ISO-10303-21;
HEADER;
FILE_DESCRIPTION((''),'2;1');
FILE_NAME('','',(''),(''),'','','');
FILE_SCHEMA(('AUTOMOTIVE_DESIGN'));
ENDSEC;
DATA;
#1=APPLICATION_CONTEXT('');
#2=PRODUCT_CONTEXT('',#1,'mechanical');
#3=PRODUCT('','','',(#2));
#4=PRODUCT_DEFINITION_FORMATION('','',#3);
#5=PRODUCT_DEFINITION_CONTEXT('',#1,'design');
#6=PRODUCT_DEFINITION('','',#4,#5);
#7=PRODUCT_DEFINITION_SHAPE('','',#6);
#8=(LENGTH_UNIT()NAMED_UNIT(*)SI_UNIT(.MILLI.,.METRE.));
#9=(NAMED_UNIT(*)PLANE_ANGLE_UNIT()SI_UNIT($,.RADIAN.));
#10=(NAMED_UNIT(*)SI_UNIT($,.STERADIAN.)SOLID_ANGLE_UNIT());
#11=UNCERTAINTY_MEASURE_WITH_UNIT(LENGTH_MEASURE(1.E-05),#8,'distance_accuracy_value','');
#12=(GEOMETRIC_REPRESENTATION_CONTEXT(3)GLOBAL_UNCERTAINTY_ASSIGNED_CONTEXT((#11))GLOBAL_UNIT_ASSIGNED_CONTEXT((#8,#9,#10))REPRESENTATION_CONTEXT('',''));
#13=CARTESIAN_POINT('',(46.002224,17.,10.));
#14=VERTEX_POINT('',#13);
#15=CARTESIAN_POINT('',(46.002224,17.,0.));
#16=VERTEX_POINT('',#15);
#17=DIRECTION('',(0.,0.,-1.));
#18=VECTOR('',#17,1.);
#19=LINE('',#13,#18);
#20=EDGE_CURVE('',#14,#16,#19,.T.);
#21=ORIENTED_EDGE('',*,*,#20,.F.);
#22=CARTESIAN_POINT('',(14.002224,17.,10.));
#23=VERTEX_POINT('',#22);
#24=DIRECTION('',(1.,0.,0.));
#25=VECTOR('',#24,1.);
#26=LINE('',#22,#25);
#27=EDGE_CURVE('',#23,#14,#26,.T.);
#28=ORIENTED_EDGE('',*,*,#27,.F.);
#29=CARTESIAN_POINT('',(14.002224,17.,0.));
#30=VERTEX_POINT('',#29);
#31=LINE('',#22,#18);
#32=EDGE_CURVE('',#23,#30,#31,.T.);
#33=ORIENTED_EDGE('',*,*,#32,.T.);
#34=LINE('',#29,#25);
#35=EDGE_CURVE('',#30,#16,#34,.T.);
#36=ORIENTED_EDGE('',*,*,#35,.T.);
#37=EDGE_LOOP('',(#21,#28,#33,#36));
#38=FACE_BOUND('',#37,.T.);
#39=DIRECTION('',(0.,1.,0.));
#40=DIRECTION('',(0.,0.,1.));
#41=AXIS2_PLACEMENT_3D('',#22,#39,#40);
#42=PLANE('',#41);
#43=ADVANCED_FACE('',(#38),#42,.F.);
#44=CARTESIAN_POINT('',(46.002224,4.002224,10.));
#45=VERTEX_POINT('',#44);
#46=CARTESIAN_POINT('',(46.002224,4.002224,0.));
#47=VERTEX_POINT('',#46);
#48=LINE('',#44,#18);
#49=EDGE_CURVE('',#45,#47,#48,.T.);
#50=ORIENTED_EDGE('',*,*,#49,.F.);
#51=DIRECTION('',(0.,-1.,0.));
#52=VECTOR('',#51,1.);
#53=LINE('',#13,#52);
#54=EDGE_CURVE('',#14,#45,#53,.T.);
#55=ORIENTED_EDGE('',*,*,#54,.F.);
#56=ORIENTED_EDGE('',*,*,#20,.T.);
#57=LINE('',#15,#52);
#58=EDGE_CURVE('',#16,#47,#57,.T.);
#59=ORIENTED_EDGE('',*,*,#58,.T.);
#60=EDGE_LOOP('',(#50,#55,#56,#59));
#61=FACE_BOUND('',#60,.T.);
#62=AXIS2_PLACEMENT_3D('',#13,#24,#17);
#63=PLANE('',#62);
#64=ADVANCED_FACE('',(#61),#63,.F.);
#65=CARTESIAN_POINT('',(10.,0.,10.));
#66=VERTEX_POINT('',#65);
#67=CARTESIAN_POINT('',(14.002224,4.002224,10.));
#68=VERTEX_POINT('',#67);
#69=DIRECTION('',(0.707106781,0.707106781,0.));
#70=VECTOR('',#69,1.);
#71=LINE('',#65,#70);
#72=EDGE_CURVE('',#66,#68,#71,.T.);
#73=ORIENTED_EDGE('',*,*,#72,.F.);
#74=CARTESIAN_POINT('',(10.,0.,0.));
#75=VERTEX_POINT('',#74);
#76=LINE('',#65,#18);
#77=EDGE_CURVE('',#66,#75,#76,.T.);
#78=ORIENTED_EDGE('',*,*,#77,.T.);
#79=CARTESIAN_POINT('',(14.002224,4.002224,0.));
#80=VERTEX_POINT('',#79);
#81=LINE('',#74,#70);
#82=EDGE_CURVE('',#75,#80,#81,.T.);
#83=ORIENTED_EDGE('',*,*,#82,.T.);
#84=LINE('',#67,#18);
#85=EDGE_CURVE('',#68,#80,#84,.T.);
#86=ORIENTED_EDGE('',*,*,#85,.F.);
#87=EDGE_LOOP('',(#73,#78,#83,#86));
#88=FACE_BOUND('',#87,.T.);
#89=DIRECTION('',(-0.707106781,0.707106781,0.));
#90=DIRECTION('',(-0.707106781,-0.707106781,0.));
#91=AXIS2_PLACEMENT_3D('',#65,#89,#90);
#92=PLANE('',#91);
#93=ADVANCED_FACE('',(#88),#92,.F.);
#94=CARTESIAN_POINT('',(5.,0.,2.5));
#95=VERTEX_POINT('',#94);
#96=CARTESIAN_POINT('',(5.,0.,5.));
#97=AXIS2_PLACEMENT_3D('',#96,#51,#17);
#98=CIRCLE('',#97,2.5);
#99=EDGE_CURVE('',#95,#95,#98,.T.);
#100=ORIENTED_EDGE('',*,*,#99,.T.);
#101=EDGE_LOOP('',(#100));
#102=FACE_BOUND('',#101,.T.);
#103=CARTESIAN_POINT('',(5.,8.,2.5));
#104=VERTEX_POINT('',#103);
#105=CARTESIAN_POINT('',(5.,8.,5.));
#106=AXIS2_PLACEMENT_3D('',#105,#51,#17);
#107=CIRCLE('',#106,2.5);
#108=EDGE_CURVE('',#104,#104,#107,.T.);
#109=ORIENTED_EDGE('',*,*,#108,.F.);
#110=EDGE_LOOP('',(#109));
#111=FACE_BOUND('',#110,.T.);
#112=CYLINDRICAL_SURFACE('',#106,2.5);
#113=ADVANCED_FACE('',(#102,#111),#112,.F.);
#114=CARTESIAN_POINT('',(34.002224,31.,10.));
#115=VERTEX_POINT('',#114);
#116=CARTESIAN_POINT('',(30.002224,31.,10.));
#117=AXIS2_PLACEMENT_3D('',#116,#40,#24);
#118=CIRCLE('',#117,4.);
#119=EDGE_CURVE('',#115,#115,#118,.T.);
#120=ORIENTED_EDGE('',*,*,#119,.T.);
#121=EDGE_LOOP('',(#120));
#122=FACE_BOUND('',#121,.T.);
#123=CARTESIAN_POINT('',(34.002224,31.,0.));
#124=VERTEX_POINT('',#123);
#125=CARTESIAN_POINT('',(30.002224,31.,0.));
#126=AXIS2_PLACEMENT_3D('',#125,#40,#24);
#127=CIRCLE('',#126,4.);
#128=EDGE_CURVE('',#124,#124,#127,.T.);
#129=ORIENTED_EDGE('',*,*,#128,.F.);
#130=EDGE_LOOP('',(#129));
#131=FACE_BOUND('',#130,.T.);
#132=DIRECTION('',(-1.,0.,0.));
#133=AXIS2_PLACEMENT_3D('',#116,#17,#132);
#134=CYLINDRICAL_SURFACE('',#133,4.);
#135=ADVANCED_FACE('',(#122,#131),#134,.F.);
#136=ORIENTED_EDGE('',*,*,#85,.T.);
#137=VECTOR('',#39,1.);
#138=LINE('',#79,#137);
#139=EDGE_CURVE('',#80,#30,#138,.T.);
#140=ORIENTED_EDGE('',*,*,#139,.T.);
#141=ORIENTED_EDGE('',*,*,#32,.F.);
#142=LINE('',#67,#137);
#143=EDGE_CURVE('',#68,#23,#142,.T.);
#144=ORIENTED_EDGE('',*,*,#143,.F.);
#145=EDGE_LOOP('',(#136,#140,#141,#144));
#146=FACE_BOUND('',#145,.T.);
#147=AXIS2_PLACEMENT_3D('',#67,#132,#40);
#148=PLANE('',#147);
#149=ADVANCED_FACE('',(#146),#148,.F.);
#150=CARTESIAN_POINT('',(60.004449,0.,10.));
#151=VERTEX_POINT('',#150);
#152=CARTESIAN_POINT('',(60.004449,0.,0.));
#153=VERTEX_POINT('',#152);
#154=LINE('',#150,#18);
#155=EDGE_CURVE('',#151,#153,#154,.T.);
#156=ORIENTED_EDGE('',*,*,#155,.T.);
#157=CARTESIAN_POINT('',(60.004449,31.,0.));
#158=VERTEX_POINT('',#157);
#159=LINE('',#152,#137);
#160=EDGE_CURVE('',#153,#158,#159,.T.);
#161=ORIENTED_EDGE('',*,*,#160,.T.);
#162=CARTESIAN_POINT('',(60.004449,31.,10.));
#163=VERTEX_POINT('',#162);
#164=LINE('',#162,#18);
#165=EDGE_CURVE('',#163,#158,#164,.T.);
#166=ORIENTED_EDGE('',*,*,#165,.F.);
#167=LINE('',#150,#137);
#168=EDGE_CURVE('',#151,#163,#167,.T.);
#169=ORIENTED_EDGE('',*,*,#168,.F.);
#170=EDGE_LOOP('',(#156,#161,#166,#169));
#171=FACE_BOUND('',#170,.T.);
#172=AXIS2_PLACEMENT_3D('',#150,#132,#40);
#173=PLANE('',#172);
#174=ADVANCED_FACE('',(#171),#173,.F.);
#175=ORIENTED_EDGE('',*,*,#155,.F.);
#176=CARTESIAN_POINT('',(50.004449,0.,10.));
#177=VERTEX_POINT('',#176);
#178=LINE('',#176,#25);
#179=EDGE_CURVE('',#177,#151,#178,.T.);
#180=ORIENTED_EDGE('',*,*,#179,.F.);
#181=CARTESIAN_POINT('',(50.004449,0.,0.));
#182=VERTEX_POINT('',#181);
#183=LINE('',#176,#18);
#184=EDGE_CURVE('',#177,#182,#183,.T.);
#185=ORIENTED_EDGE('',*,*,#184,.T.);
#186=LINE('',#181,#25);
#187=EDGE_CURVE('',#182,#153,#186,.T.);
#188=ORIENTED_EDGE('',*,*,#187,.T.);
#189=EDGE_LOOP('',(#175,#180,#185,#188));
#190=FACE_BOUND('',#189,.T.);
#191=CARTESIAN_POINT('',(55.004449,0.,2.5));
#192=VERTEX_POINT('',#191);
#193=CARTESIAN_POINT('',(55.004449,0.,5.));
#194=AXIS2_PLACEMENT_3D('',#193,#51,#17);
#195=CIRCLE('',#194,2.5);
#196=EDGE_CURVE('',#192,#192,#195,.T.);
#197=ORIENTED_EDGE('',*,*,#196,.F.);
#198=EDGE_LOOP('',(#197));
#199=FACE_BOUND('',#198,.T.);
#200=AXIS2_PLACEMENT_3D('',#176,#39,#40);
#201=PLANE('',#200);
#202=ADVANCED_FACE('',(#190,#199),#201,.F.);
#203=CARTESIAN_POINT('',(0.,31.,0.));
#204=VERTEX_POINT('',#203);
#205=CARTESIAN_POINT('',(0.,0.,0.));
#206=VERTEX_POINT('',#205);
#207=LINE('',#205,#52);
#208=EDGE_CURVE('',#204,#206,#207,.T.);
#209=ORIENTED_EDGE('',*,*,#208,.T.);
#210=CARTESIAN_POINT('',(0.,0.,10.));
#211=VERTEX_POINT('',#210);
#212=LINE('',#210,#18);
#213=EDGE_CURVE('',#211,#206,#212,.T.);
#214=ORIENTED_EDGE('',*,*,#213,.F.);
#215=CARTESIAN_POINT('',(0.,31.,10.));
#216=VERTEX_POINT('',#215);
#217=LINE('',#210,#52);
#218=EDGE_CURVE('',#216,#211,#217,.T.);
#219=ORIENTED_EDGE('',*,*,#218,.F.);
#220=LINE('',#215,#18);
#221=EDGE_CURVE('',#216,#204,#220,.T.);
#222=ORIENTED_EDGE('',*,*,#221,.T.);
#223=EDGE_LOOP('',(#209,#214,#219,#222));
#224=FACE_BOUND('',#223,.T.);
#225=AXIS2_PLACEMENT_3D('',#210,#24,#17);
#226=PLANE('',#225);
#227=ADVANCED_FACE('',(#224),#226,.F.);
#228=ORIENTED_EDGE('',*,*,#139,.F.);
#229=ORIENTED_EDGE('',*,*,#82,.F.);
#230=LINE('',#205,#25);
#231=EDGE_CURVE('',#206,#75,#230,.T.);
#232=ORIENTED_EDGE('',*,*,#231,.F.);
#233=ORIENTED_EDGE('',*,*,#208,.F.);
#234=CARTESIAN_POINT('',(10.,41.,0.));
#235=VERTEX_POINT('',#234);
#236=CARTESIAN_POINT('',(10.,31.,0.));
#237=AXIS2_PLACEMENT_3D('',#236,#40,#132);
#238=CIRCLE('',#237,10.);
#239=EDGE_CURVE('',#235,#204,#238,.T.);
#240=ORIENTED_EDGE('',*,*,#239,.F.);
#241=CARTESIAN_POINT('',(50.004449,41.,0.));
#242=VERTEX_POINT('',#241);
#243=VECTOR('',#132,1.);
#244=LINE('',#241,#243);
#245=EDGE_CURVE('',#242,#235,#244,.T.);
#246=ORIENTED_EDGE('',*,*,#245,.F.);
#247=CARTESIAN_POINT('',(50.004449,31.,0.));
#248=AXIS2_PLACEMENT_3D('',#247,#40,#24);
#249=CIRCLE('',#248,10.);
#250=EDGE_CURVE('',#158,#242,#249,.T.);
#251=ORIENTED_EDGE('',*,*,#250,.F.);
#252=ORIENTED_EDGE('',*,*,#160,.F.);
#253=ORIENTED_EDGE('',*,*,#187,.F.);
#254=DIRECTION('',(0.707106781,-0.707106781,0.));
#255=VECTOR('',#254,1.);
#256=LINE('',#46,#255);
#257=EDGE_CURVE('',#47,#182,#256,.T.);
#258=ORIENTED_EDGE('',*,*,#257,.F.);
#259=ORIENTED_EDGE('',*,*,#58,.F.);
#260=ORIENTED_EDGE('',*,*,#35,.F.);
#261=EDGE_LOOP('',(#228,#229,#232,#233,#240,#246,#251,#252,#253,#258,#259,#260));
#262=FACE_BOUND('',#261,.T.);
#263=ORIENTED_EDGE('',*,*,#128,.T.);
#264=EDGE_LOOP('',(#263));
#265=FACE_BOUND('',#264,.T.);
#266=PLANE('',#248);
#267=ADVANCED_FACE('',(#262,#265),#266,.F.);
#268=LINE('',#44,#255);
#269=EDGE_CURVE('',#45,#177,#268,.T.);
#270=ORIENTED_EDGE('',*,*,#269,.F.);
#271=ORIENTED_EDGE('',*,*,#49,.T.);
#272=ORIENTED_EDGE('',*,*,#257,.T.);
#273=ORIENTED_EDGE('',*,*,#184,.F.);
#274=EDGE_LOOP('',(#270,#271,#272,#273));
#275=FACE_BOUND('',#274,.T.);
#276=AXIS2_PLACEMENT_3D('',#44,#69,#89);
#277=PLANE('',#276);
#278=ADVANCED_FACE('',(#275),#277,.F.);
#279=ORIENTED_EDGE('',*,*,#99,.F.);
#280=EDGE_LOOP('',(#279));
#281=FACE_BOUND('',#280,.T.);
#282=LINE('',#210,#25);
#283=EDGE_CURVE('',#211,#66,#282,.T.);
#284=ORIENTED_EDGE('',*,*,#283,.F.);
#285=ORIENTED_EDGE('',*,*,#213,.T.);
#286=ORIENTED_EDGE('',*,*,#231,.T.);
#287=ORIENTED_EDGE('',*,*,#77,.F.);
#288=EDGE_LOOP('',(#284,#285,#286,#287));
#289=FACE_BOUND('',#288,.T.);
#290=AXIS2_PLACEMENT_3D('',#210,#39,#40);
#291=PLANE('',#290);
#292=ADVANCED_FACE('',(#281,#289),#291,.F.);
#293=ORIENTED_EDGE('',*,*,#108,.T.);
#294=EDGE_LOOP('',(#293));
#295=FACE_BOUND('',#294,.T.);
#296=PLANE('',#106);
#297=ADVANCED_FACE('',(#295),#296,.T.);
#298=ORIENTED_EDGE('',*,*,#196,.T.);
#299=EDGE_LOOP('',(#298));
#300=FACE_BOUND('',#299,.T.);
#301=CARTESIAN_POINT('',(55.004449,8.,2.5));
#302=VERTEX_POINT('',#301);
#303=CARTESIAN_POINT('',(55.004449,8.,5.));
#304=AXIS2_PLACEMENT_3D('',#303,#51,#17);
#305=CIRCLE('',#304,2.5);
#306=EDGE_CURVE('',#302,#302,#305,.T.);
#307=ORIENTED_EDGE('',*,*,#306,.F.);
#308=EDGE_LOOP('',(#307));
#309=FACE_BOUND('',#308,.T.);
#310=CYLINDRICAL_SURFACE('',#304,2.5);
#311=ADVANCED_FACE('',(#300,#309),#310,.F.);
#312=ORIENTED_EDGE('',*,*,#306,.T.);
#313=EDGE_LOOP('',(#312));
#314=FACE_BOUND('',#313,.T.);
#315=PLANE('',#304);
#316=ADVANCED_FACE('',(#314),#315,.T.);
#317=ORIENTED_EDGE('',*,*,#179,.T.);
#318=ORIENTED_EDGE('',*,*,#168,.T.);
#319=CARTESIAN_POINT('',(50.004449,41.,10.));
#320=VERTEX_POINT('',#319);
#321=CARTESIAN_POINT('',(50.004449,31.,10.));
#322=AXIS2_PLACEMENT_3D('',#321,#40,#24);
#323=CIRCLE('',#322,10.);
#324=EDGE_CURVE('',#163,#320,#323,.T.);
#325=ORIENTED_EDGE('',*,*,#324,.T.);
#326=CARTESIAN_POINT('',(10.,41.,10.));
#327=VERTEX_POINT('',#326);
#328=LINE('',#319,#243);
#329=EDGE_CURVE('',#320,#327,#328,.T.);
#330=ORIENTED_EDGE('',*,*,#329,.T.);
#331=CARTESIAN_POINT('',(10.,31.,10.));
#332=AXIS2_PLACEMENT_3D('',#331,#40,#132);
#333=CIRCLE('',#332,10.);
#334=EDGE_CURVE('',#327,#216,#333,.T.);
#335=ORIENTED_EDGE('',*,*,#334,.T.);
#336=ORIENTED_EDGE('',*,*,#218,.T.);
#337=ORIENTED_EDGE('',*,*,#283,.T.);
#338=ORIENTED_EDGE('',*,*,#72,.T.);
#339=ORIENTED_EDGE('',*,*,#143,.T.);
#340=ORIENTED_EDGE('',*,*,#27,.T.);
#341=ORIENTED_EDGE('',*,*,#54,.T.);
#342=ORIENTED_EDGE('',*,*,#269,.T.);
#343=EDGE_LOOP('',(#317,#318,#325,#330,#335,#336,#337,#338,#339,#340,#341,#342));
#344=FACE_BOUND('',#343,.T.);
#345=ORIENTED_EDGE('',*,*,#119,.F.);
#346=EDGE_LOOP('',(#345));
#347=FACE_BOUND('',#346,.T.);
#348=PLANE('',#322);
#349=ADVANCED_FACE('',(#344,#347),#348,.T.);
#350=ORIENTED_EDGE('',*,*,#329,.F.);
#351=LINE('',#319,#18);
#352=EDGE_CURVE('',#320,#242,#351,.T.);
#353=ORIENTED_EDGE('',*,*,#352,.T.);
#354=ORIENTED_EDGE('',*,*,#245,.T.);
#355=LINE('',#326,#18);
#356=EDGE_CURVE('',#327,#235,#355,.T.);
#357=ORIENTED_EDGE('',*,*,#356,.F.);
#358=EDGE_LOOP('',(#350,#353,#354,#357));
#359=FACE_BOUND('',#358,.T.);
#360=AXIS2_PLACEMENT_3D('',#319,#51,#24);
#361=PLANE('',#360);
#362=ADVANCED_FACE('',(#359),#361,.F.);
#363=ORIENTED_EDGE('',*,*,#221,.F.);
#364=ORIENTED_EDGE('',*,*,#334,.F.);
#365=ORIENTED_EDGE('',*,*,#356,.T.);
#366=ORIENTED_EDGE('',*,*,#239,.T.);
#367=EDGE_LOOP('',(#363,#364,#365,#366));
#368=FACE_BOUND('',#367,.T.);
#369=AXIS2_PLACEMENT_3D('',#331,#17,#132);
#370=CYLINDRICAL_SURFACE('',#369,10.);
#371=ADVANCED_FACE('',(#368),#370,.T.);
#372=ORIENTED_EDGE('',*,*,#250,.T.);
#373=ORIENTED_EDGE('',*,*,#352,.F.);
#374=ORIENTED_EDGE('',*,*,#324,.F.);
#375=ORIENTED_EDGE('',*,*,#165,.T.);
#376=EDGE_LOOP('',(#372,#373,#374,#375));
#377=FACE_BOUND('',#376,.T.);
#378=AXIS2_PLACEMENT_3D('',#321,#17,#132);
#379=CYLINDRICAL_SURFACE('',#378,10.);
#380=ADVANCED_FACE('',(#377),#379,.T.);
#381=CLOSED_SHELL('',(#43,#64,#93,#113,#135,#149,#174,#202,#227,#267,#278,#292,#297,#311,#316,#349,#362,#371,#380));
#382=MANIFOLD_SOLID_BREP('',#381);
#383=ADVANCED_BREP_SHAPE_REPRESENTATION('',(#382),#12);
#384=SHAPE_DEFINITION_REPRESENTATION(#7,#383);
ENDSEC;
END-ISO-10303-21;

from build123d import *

# Parameters (mm, degrees)
SKETCH1_R           = 4
BOSS_EXTRUDE1_DEPTH = 10
SKETCH2_R           = 2.5
CUT_EXTRUDE1_DEPTH  = 8
SKETCH3_R           = 2.5
CUT_EXTRUDE2_DEPTH  = 8


with BuildPart() as part:
    # Sketch1 → Boss-Extrude1 (new body)
    with BuildSketch(Plane.XY):
        with BuildLine():
            Line((0, 0), (0, 31))
            ThreePointArc((0, 31), (2.928932188, 38.071067812), (10, 41))
            Line((10, 41), (50.004448763, 41))
            ThreePointArc((50.004448763, 41), (57.075516575, 38.071067812), (60.004448763, 31))
            Line((60.004448763, 31), (60.004448763, 0))
            Line((60.004448763, 0), (50.004448763, 0))
            Line((50.004448763, 0), (46.002224382, 4.002224382))
            Line((46.002224382, 4.002224382), (46.002224382, 17))
            Line((46.002224382, 17), (14.002224382, 17))
            Line((14.002224382, 17), (14.002224382, 4.002224382))
            Line((14.002224382, 4.002224382), (10, 0))
            Line((10, 0), (0, 0))
        make_face()
        with Locations((30.002224382, 31)):
            Circle(SKETCH1_R, mode=Mode.SUBTRACT)
    extrude(amount=BOSS_EXTRUDE1_DEPTH)

    # Sketch2 → Cut-Extrude1 (cut)
    with BuildSketch(Plane.XZ):
        with Locations(Location((55.004448763, 5, 0), (0, 0, 270))):
            Circle(SKETCH2_R)
    extrude(amount=-CUT_EXTRUDE1_DEPTH, mode=Mode.SUBTRACT)

    # Sketch3 → Cut-Extrude2 (cut)
    with BuildSketch(Plane.XZ):
        with Locations(Location((5, 5, 0), (0, 0, 270))):
            Circle(SKETCH3_R)
    extrude(amount=-CUT_EXTRUDE2_DEPTH, mode=Mode.SUBTRACT)


solid = part.part
